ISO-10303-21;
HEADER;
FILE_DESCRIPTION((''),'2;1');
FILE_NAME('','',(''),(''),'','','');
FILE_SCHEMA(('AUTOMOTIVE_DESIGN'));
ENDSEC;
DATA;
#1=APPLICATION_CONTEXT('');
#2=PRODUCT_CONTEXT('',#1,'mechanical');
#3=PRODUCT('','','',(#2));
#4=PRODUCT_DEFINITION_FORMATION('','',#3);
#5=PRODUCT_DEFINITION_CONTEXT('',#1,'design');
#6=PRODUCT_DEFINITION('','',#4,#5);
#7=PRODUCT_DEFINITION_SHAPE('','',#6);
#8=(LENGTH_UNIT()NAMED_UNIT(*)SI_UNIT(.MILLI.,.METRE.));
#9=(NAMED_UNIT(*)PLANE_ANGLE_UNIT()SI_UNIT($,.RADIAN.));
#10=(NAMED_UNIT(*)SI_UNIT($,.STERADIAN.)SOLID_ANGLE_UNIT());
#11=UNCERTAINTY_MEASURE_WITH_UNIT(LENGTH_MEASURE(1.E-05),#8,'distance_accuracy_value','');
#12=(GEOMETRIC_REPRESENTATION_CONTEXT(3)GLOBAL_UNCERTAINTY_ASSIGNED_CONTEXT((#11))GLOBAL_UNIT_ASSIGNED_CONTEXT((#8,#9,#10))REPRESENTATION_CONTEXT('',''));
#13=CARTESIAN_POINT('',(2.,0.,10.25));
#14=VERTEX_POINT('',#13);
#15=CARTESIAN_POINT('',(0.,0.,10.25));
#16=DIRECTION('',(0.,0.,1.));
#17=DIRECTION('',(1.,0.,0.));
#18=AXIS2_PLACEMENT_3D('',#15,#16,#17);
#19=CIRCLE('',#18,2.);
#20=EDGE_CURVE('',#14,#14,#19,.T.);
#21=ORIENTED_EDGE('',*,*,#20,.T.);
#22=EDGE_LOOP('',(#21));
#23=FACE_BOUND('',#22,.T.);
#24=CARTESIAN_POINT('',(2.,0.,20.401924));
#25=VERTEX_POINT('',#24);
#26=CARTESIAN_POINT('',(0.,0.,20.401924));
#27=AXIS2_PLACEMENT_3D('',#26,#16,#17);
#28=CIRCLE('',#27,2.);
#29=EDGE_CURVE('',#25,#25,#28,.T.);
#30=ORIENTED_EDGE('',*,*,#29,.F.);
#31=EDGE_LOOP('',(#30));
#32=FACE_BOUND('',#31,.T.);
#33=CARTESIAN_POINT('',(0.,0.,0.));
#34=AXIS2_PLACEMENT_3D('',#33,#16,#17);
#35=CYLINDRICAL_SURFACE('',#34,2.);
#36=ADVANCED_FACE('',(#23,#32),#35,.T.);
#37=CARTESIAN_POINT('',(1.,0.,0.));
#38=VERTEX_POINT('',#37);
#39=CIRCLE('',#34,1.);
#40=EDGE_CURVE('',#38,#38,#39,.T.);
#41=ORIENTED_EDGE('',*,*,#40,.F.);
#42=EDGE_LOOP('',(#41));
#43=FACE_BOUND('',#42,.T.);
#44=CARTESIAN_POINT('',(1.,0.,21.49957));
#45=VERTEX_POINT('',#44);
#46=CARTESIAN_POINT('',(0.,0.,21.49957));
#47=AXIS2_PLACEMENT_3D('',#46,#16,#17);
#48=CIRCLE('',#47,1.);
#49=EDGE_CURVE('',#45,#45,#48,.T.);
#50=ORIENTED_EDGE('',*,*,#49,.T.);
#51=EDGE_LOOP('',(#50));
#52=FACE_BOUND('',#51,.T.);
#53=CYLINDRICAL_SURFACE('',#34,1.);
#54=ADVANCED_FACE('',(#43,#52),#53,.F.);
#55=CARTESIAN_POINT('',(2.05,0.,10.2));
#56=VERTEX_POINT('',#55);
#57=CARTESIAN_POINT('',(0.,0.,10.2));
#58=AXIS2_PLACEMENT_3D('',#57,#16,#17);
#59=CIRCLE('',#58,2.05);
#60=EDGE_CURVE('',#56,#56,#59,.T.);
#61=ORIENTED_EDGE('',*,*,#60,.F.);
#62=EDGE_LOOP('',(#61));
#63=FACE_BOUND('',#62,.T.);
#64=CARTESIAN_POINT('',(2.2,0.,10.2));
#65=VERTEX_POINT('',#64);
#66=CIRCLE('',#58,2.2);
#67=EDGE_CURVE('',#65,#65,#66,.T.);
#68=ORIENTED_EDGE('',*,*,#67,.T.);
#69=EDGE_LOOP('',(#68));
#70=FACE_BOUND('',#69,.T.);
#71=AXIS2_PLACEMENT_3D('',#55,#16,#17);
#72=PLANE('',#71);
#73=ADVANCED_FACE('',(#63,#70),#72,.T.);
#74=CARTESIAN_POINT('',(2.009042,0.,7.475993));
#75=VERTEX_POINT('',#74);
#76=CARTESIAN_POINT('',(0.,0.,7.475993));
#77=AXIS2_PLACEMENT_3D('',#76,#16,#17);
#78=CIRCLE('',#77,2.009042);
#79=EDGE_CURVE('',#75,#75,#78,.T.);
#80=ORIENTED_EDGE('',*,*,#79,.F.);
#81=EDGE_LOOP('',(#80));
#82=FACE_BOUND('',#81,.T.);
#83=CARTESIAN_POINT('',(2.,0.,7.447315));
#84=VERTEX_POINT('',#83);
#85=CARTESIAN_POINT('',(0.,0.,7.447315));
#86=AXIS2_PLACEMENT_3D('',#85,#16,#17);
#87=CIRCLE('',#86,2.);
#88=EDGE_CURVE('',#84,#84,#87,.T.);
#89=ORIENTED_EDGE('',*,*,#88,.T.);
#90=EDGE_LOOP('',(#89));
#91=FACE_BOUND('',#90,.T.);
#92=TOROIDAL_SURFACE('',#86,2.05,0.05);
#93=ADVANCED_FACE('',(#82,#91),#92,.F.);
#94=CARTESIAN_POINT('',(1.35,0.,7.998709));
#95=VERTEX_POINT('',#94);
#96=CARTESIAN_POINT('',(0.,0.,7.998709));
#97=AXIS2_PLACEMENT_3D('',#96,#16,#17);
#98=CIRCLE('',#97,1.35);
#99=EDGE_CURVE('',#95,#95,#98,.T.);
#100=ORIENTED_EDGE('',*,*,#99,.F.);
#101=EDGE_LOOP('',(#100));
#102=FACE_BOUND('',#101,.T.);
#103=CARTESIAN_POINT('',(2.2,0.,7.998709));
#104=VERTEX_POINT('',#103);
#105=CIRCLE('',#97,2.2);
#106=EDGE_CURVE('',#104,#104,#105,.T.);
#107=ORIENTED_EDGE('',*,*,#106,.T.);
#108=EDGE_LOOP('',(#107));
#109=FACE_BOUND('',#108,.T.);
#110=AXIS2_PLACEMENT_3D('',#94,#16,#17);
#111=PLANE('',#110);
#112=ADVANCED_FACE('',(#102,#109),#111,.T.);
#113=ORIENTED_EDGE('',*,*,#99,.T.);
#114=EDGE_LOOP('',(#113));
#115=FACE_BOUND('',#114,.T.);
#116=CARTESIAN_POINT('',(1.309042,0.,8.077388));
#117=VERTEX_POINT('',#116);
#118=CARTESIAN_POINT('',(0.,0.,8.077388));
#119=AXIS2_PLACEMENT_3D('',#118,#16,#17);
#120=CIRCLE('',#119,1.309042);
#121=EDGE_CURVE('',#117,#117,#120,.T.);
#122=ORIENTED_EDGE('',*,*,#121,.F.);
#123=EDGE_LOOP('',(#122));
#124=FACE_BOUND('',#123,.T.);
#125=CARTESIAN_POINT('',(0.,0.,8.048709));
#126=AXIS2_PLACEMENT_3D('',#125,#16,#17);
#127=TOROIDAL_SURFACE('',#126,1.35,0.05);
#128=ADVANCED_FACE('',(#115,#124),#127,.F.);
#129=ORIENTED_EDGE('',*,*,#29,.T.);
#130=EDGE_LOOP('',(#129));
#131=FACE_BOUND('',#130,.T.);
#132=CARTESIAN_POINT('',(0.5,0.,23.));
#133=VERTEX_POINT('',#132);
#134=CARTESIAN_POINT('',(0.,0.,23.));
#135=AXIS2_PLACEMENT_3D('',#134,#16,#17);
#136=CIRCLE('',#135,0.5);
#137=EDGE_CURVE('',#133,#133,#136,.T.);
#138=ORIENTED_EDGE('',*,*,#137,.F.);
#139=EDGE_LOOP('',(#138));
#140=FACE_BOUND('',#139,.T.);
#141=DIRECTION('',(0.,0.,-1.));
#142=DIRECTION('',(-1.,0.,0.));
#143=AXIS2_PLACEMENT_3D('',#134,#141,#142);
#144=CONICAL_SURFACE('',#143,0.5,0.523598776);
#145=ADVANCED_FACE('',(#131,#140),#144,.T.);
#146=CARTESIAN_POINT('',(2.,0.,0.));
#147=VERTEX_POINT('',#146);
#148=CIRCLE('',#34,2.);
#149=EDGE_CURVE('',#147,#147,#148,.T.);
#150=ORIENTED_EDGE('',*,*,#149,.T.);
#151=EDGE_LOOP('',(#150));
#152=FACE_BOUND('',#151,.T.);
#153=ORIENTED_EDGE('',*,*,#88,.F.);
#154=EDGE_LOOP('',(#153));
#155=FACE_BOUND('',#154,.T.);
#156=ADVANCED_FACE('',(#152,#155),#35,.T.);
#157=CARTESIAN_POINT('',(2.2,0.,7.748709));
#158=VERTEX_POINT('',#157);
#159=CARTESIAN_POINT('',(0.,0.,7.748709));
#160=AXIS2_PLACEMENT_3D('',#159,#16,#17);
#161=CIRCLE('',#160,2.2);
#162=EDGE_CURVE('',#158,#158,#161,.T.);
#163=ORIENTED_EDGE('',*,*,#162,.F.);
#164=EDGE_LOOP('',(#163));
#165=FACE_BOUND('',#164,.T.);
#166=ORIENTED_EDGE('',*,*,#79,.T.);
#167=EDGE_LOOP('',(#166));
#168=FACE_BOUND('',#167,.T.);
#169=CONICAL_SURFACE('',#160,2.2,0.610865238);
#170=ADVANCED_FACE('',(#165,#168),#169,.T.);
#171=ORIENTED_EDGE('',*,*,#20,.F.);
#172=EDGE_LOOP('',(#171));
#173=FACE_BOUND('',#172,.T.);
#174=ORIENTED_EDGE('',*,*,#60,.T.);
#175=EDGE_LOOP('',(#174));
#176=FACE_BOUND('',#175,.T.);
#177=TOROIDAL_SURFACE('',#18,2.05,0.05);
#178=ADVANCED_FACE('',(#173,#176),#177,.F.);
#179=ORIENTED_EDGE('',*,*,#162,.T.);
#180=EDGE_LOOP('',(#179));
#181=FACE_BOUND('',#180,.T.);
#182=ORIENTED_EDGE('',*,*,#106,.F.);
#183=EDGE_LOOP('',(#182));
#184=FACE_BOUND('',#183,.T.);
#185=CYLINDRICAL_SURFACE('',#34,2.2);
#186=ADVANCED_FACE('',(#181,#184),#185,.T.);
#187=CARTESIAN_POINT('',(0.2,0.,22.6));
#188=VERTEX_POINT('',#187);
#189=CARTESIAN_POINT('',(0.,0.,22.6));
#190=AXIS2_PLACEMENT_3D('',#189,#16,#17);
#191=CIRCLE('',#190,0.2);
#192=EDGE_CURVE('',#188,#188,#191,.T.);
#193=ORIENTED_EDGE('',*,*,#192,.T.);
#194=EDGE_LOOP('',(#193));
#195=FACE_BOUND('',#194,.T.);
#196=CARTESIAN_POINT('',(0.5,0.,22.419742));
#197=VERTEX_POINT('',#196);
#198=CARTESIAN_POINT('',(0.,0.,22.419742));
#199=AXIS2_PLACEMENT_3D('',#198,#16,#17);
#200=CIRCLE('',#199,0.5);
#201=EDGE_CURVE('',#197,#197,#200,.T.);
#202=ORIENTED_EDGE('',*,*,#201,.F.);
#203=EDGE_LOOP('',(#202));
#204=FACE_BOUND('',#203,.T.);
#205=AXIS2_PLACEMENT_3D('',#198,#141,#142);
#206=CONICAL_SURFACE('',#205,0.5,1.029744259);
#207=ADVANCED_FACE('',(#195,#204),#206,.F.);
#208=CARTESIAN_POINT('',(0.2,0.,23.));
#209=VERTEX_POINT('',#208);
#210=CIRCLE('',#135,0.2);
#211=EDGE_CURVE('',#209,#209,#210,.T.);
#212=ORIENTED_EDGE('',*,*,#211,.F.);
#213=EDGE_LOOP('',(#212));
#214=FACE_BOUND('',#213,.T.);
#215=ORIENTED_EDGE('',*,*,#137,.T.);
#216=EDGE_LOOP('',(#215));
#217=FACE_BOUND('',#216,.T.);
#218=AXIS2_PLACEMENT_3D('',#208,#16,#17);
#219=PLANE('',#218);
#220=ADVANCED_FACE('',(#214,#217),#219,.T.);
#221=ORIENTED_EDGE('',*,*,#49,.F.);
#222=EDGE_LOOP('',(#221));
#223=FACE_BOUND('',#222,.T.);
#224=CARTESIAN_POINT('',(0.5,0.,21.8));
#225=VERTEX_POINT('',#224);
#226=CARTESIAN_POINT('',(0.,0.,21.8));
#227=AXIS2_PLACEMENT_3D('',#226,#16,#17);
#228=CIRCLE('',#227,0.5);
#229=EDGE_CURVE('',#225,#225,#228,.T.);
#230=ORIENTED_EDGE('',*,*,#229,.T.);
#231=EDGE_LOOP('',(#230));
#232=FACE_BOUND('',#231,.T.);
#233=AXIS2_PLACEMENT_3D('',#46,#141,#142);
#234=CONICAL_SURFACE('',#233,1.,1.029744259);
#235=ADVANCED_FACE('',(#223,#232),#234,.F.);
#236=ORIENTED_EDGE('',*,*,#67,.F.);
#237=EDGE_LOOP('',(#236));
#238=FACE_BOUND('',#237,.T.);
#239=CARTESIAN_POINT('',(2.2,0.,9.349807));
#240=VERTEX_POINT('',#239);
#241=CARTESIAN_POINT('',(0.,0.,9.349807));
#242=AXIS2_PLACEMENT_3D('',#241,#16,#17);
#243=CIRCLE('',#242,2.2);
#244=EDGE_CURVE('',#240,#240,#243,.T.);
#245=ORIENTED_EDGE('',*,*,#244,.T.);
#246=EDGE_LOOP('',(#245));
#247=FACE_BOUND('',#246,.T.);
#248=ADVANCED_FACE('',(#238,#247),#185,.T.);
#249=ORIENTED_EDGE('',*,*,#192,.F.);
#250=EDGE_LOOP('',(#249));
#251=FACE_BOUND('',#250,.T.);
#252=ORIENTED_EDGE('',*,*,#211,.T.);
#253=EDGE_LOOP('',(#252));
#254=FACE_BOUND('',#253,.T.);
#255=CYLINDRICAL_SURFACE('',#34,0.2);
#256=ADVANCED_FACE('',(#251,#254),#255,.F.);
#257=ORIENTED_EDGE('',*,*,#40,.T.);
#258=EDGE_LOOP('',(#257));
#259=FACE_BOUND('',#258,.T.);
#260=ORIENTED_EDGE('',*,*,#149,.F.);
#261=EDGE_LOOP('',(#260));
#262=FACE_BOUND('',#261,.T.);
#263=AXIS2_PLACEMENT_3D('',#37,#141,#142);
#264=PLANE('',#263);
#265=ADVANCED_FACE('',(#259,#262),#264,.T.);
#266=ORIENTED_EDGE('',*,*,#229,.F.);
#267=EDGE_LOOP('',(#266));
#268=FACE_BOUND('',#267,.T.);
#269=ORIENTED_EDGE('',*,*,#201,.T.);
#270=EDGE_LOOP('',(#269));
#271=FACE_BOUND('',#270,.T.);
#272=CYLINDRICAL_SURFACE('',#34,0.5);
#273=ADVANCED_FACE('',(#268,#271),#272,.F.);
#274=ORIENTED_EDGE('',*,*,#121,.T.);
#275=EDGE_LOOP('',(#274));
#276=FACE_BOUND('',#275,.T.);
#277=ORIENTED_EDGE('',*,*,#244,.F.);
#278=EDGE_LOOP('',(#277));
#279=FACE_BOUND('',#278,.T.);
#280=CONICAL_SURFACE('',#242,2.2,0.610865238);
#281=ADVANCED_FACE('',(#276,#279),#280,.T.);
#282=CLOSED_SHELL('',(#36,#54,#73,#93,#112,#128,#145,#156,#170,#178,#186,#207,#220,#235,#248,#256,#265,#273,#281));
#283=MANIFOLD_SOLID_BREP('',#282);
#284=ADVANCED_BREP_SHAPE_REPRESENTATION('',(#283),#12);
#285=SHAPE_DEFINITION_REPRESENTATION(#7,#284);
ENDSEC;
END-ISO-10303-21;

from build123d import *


with BuildPart() as part:
    # Sketch1 → Revolve1 (revolve)
    with BuildSketch(Plane(origin=(0, 0, 0), x_dir=(1, 0, 0), z_dir=(0, 1, 0))):
        with BuildLine():
            Line((0.5, -23), (2, -20.401923789))
            Line((2, -20.401923789), (2, -10.25))
            ThreePointArc((2, -10.25), (2.014644661, -10.214644661), (2.05, -10.2))
            Line((2.05, -10.2), (2.2, -10.2))
            Line((2.2, -10.2), (2.2, -9.349807217))
            Line((2.2, -9.349807217), (1.309042398, -8.077387893))
            ThreePointArc((1.309042398, -8.077387893), (1.305649458, -8.025621641), (1.35, -7.998709071))
            Line((1.35, -7.998709071), (2.2, -7.998709071))
            Line((2.2, -7.998709071), (2.2, -7.748709071))
            Line((2.2, -7.748709071), (2.009042398, -7.475993352))
            ThreePointArc((2.009042398, -7.475993352), (2.002314152, -7.462349821), (2, -7.447314531))
            Line((2, -7.447314531), (2, 0))
            Line((2, 0), (1, 0))
            Line((1, 0), (1, -21.49956969))
            Line((1, -21.49956969), (0.5, -21.8))
            Line((0.5, -21.8), (0.5, -22.419741814))
            Line((0.5, -22.419741814), (0.2, -22.6))
            Line((0.2, -22.6), (0.2, -23))
            Line((0.2, -23), (0.5, -23))
        make_face()
    revolve(axis=Axis((0, 0, 0), (0, 0, 1)))


solid = part.part
